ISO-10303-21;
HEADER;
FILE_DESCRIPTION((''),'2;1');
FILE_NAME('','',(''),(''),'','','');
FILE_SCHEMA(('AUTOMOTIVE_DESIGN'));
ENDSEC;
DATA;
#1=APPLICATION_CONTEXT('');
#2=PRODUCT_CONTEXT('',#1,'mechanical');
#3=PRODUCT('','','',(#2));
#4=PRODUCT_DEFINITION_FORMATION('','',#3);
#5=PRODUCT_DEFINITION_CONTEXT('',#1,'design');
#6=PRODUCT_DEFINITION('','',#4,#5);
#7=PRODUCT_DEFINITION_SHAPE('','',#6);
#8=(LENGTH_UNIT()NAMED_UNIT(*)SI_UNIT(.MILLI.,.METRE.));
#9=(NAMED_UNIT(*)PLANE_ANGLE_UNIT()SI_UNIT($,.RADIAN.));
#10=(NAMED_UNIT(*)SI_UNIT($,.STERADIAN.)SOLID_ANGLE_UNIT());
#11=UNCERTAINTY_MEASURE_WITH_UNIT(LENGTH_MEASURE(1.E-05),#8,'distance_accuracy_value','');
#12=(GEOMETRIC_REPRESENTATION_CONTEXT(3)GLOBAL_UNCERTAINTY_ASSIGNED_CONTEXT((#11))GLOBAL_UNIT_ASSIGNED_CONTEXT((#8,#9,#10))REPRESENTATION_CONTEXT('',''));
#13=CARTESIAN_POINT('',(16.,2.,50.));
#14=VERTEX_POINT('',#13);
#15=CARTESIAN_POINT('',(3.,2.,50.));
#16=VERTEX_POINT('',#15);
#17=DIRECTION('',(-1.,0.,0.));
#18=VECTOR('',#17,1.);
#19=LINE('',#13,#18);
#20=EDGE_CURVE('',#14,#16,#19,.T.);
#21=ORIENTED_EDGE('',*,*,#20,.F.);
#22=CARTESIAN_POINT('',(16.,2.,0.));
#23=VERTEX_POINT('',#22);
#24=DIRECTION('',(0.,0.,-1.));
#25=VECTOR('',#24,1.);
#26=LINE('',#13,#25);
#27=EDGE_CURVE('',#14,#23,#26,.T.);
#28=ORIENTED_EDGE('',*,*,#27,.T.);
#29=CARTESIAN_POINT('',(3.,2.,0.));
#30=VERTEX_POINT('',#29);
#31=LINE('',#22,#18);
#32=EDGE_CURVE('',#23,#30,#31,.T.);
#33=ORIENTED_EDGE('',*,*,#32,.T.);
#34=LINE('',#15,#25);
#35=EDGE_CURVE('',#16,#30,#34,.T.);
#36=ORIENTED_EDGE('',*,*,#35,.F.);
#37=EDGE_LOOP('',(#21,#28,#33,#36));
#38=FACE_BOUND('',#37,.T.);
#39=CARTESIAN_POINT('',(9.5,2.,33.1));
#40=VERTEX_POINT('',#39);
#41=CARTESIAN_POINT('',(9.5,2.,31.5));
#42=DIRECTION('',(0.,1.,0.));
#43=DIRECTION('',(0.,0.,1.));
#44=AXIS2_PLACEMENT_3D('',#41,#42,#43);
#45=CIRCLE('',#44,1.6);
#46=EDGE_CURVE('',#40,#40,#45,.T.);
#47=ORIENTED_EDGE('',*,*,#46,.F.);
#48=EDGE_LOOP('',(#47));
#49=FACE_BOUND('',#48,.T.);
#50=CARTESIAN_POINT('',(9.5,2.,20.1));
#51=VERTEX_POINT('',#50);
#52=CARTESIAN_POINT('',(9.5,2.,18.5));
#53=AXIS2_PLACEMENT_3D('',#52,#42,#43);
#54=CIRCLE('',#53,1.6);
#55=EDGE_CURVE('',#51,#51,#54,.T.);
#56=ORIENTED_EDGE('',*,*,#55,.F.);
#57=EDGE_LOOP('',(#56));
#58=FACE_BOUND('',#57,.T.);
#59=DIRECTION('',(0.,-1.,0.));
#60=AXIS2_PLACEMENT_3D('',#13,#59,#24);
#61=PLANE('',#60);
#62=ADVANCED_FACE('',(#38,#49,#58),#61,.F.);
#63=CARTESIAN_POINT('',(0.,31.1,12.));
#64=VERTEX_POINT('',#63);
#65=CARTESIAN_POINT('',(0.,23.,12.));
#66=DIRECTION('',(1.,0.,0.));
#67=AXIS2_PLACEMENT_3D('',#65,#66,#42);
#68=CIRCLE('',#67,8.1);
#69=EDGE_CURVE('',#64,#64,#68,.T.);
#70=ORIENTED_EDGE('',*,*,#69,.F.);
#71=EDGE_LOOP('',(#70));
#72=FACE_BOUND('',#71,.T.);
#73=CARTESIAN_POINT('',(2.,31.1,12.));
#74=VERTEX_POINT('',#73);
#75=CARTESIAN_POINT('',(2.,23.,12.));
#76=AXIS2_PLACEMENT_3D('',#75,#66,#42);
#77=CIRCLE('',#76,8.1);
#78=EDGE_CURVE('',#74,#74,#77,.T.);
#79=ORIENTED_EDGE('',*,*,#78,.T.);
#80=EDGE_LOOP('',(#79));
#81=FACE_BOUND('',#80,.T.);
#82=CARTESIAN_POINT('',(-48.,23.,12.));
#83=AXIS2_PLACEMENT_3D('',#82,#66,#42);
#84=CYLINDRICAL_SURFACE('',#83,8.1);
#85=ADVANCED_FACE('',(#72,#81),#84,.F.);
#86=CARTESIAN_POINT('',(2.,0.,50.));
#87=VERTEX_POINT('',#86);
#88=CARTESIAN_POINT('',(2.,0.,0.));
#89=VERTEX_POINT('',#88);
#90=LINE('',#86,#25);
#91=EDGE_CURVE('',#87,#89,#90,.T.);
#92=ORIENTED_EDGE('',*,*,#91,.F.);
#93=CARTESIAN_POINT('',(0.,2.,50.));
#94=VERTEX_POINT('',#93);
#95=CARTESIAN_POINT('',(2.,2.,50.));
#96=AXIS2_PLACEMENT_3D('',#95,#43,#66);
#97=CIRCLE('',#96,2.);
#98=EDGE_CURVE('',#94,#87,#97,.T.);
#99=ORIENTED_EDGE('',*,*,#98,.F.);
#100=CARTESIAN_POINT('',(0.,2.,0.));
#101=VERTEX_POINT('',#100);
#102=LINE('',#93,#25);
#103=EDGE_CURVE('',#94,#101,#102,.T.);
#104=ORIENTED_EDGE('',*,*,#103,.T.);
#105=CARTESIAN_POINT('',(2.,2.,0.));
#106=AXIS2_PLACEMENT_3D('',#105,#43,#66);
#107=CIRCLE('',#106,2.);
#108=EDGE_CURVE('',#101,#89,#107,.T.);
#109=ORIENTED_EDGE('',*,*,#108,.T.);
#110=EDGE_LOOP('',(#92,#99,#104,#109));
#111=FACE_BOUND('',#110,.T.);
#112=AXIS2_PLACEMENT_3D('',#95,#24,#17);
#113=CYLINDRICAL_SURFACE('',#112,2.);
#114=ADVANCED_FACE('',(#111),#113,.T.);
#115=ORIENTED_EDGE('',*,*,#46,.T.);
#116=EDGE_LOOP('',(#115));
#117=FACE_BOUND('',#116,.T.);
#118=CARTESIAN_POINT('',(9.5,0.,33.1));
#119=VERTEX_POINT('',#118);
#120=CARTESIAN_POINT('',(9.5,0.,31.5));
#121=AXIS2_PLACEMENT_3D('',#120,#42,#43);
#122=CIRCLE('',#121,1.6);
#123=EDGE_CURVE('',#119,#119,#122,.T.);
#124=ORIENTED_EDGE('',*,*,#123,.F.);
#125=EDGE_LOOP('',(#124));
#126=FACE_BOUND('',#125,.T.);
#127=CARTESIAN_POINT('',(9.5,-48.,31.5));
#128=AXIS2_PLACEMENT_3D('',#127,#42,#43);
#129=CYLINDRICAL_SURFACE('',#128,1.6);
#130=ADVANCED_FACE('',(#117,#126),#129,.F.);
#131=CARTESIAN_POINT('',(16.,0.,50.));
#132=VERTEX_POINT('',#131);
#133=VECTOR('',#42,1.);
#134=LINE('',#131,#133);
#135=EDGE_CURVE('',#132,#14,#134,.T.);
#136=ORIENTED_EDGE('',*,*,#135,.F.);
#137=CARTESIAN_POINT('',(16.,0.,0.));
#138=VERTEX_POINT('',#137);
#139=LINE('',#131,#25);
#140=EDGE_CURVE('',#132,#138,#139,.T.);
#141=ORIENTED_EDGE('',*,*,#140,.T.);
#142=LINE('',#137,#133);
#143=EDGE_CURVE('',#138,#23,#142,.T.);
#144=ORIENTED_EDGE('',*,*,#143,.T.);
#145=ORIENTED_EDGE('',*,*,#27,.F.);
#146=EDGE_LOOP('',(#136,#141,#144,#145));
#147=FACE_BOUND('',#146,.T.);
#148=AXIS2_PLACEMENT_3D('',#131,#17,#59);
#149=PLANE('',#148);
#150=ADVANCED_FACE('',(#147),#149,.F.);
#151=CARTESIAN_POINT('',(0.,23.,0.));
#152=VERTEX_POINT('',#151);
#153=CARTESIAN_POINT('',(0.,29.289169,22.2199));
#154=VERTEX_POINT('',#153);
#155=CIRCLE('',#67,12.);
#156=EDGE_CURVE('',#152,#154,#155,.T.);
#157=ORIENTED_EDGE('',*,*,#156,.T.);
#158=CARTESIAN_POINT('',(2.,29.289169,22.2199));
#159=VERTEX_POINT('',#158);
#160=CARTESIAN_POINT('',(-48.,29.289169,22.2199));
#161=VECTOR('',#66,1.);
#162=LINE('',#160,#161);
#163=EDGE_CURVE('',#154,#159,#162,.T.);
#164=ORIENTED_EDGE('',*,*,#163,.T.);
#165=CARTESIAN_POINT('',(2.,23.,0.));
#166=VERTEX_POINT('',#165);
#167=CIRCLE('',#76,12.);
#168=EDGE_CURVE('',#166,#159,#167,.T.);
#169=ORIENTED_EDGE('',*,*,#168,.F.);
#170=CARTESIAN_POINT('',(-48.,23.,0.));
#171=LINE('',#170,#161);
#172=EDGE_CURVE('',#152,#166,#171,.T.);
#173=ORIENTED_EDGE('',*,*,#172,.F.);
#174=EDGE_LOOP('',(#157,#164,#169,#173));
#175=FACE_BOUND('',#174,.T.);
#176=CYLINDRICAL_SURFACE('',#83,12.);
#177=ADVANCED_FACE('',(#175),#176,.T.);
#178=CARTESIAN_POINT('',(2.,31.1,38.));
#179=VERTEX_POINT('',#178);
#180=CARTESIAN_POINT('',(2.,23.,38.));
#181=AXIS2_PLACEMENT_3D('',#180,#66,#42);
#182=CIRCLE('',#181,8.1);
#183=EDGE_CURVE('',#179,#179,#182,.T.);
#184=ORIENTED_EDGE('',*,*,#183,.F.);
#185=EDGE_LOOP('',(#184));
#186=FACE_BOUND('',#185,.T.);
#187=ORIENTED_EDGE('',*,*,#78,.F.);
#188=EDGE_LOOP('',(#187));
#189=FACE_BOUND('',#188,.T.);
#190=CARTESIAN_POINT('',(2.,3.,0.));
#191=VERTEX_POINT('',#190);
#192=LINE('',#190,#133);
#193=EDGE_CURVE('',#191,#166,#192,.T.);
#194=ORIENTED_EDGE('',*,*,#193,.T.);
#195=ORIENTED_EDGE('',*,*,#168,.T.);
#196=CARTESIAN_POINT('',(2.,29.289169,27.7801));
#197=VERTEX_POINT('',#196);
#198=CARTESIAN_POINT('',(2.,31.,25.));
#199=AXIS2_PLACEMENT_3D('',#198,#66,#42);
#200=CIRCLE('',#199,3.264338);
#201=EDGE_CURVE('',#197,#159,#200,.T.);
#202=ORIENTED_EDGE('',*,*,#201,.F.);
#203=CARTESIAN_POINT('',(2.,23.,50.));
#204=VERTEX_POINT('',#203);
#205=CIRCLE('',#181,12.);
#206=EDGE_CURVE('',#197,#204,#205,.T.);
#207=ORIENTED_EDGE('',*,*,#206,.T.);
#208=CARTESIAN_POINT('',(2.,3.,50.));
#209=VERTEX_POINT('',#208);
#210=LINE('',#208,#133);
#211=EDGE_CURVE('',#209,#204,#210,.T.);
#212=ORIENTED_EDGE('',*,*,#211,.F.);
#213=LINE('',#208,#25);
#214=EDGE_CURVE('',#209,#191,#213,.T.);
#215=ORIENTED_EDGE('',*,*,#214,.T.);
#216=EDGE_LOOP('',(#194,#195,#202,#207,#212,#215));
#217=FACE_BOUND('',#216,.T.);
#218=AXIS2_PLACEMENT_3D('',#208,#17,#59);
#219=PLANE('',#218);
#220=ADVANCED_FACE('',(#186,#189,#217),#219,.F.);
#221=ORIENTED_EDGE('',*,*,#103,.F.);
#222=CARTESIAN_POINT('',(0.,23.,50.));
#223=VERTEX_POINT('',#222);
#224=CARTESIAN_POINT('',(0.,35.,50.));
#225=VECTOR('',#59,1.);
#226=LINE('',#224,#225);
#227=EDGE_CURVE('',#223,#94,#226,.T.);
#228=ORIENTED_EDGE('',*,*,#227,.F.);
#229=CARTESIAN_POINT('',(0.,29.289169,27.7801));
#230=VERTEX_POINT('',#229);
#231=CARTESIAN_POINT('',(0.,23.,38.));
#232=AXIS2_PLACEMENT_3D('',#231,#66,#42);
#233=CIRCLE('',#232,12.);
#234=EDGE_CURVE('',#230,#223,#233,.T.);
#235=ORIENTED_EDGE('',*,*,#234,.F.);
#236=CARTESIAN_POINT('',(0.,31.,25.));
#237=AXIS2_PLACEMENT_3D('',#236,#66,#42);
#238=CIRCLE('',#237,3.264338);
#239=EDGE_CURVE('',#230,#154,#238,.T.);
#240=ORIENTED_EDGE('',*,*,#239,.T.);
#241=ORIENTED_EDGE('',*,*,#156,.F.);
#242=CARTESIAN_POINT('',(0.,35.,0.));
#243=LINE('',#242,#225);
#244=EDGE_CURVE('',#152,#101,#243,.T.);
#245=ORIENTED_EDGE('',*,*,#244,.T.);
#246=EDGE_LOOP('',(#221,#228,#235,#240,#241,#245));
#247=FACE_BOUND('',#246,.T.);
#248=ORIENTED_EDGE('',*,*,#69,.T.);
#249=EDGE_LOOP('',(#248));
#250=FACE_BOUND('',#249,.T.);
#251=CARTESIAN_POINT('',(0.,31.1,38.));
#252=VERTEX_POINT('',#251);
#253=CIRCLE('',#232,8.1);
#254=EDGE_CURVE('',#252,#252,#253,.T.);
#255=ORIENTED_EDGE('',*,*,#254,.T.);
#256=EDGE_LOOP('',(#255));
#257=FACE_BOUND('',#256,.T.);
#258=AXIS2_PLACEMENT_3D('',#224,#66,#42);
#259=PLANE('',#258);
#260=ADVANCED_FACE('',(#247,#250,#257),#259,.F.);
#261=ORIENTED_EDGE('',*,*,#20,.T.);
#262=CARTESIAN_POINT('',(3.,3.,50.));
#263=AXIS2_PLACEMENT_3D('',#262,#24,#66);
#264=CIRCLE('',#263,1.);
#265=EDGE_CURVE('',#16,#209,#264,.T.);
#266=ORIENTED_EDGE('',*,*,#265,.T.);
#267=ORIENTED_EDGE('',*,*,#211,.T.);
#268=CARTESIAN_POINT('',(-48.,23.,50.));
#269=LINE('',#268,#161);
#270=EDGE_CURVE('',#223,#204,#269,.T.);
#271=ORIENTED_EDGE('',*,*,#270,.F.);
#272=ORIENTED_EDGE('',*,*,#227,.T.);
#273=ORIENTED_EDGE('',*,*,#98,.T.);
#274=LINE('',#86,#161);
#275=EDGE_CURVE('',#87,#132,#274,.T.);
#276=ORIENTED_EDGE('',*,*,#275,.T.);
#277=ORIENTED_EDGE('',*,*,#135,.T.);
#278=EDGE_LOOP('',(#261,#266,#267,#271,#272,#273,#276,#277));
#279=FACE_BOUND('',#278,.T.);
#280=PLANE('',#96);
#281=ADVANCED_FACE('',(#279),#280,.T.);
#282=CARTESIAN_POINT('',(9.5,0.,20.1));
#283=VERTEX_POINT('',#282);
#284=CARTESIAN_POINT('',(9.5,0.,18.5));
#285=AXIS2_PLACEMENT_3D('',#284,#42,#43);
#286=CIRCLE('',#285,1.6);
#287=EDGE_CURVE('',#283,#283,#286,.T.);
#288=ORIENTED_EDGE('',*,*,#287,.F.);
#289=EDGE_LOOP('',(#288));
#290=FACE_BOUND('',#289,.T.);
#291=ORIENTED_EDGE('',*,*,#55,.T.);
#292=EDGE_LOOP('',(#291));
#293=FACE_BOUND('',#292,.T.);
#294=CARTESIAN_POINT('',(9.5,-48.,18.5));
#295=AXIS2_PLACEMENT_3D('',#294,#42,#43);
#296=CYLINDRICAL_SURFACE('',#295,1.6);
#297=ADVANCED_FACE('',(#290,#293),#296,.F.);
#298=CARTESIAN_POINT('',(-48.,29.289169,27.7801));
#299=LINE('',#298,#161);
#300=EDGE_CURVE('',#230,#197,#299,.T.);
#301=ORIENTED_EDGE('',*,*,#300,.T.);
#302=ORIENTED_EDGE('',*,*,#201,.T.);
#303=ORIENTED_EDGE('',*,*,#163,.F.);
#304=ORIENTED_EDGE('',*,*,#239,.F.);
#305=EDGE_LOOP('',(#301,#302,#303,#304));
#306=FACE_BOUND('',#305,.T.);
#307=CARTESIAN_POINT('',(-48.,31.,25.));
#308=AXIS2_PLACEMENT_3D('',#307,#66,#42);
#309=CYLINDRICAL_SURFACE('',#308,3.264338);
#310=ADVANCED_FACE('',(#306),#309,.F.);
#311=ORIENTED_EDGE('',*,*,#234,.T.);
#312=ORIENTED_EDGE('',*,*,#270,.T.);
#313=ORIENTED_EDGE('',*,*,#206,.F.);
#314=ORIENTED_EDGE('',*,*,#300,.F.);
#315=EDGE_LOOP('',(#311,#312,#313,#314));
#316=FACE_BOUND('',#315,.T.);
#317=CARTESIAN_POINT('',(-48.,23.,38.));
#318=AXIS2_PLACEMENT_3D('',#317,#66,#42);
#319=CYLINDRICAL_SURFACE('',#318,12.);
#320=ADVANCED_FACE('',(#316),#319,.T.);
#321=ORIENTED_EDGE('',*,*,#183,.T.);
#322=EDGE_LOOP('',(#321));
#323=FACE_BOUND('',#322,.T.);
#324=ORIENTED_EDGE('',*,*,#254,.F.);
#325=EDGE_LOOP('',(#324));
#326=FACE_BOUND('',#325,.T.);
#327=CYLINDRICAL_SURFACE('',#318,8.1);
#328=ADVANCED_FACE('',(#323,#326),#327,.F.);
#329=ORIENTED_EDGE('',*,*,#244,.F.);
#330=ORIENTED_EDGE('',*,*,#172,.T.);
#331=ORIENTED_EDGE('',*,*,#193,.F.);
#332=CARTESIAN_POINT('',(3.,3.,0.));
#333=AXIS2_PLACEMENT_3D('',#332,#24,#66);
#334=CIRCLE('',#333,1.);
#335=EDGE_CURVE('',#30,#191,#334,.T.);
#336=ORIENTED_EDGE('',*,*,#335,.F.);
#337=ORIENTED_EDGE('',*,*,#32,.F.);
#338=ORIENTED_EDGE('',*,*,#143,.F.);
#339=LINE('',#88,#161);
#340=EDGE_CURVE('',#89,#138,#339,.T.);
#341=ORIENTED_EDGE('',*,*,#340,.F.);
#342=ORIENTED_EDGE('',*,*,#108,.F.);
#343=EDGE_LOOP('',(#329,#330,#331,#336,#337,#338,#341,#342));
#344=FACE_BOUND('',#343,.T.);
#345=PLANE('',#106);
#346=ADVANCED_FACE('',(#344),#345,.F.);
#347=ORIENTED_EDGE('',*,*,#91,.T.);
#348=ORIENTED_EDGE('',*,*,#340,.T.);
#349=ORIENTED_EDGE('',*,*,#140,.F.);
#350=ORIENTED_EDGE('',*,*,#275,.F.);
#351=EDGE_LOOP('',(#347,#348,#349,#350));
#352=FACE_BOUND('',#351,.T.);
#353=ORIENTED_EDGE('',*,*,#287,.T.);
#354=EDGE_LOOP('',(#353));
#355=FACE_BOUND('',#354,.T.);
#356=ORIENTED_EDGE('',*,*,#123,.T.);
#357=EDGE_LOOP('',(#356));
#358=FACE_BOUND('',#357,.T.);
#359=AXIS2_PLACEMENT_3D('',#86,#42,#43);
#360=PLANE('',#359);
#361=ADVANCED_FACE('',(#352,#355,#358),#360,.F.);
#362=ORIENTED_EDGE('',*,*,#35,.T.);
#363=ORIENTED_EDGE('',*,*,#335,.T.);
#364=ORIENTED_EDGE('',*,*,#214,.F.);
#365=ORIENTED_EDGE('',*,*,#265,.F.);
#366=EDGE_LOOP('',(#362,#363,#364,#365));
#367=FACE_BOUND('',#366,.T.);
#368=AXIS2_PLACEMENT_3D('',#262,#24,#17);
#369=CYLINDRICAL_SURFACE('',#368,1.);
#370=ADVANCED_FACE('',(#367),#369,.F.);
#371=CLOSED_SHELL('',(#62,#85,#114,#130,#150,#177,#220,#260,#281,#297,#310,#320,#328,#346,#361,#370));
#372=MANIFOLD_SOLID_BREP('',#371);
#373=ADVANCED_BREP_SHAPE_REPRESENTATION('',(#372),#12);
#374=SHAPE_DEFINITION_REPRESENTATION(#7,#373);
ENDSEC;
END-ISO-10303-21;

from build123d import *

# Parameters (mm, degrees)
BOSS_EXTRUDE1_DEPTH = 50
SKETCH2_R           = 1.6
CUT_EXTRUDE1_DEPTH  = 50
SKETCH3_R           = 8.1
CUT_EXTRUDE2_DEPTH  = 50


with BuildPart() as part:
    # Sketch1 → Boss-Extrude1 (new body)
    with BuildSketch(Plane.XY):
        with BuildLine():
            Line((0, 35), (0, 2))
            ThreePointArc((0, 2), (0.585786438, 0.585786438), (2, 0))
            Line((2, 0), (16, 0))
            Line((16, 0), (16, 2))
            Line((16, 2), (3, 2))
            ThreePointArc((3, 2), (2.292893219, 2.292893219), (2, 3))
            Line((2, 3), (2, 35))
            Line((2, 35), (0, 35))
        make_face()
    extrude(amount=BOSS_EXTRUDE1_DEPTH)

    # Sketch2 → Cut-Extrude1 (cut)
    with BuildSketch(Plane(origin=(0, 2, 0), x_dir=(1, 0, 0), z_dir=(0, 1, 0))):
        with Locations(Location((9.5, -18.5, 0), (0, 0, 270))):
            Circle(SKETCH2_R)
        with Locations(Location((9.5, -31.5, 0), (0, 0, 270))):
            Circle(SKETCH2_R)
    extrude(amount=-CUT_EXTRUDE1_DEPTH, mode=Mode.SUBTRACT)

    # Sketch3 → Cut-Extrude2 (cut)
    with BuildSketch(Plane(origin=(2, 0, 0), x_dir=(0, 0, -1), z_dir=(1, 0, 0))):
        with Locations(Location((-12, 23, 0), (0, 0, 90))):
            Circle(SKETCH3_R)
        with Locations(Location((-38, 23, 0), (0, 0, 90))):
            Circle(SKETCH3_R)
        with BuildLine():
            ThreePointArc((-50, 23), (-46.485281374, 31.485281374), (-38, 35))
            Line((-38, 35), (-50, 35))
            Line((-50, 35), (-50, 23))
        make_face()
        with BuildLine():
            ThreePointArc((-22.2198998, 29.289169108), (-17.8536301, 33.475448184), (-12, 35))
            Line((-12, 35), (-38, 35))
            ThreePointArc((-38, 35), (-32.1463699, 33.475448184), (-27.7801002, 29.289169108))
            ThreePointArc((-27.7801002, 29.289169108), (-25, 27.735662478), (-22.2198998, 29.289169108))
        make_face()
        with BuildLine():
            Line((0, 35), (-12, 35))
            ThreePointArc((-12, 35), (-3.514718626, 31.485281374), (0, 23))
            Line((0, 23), (0, 35))
        make_face()
    extrude(amount=-CUT_EXTRUDE2_DEPTH, mode=Mode.SUBTRACT)


solid = part.part
